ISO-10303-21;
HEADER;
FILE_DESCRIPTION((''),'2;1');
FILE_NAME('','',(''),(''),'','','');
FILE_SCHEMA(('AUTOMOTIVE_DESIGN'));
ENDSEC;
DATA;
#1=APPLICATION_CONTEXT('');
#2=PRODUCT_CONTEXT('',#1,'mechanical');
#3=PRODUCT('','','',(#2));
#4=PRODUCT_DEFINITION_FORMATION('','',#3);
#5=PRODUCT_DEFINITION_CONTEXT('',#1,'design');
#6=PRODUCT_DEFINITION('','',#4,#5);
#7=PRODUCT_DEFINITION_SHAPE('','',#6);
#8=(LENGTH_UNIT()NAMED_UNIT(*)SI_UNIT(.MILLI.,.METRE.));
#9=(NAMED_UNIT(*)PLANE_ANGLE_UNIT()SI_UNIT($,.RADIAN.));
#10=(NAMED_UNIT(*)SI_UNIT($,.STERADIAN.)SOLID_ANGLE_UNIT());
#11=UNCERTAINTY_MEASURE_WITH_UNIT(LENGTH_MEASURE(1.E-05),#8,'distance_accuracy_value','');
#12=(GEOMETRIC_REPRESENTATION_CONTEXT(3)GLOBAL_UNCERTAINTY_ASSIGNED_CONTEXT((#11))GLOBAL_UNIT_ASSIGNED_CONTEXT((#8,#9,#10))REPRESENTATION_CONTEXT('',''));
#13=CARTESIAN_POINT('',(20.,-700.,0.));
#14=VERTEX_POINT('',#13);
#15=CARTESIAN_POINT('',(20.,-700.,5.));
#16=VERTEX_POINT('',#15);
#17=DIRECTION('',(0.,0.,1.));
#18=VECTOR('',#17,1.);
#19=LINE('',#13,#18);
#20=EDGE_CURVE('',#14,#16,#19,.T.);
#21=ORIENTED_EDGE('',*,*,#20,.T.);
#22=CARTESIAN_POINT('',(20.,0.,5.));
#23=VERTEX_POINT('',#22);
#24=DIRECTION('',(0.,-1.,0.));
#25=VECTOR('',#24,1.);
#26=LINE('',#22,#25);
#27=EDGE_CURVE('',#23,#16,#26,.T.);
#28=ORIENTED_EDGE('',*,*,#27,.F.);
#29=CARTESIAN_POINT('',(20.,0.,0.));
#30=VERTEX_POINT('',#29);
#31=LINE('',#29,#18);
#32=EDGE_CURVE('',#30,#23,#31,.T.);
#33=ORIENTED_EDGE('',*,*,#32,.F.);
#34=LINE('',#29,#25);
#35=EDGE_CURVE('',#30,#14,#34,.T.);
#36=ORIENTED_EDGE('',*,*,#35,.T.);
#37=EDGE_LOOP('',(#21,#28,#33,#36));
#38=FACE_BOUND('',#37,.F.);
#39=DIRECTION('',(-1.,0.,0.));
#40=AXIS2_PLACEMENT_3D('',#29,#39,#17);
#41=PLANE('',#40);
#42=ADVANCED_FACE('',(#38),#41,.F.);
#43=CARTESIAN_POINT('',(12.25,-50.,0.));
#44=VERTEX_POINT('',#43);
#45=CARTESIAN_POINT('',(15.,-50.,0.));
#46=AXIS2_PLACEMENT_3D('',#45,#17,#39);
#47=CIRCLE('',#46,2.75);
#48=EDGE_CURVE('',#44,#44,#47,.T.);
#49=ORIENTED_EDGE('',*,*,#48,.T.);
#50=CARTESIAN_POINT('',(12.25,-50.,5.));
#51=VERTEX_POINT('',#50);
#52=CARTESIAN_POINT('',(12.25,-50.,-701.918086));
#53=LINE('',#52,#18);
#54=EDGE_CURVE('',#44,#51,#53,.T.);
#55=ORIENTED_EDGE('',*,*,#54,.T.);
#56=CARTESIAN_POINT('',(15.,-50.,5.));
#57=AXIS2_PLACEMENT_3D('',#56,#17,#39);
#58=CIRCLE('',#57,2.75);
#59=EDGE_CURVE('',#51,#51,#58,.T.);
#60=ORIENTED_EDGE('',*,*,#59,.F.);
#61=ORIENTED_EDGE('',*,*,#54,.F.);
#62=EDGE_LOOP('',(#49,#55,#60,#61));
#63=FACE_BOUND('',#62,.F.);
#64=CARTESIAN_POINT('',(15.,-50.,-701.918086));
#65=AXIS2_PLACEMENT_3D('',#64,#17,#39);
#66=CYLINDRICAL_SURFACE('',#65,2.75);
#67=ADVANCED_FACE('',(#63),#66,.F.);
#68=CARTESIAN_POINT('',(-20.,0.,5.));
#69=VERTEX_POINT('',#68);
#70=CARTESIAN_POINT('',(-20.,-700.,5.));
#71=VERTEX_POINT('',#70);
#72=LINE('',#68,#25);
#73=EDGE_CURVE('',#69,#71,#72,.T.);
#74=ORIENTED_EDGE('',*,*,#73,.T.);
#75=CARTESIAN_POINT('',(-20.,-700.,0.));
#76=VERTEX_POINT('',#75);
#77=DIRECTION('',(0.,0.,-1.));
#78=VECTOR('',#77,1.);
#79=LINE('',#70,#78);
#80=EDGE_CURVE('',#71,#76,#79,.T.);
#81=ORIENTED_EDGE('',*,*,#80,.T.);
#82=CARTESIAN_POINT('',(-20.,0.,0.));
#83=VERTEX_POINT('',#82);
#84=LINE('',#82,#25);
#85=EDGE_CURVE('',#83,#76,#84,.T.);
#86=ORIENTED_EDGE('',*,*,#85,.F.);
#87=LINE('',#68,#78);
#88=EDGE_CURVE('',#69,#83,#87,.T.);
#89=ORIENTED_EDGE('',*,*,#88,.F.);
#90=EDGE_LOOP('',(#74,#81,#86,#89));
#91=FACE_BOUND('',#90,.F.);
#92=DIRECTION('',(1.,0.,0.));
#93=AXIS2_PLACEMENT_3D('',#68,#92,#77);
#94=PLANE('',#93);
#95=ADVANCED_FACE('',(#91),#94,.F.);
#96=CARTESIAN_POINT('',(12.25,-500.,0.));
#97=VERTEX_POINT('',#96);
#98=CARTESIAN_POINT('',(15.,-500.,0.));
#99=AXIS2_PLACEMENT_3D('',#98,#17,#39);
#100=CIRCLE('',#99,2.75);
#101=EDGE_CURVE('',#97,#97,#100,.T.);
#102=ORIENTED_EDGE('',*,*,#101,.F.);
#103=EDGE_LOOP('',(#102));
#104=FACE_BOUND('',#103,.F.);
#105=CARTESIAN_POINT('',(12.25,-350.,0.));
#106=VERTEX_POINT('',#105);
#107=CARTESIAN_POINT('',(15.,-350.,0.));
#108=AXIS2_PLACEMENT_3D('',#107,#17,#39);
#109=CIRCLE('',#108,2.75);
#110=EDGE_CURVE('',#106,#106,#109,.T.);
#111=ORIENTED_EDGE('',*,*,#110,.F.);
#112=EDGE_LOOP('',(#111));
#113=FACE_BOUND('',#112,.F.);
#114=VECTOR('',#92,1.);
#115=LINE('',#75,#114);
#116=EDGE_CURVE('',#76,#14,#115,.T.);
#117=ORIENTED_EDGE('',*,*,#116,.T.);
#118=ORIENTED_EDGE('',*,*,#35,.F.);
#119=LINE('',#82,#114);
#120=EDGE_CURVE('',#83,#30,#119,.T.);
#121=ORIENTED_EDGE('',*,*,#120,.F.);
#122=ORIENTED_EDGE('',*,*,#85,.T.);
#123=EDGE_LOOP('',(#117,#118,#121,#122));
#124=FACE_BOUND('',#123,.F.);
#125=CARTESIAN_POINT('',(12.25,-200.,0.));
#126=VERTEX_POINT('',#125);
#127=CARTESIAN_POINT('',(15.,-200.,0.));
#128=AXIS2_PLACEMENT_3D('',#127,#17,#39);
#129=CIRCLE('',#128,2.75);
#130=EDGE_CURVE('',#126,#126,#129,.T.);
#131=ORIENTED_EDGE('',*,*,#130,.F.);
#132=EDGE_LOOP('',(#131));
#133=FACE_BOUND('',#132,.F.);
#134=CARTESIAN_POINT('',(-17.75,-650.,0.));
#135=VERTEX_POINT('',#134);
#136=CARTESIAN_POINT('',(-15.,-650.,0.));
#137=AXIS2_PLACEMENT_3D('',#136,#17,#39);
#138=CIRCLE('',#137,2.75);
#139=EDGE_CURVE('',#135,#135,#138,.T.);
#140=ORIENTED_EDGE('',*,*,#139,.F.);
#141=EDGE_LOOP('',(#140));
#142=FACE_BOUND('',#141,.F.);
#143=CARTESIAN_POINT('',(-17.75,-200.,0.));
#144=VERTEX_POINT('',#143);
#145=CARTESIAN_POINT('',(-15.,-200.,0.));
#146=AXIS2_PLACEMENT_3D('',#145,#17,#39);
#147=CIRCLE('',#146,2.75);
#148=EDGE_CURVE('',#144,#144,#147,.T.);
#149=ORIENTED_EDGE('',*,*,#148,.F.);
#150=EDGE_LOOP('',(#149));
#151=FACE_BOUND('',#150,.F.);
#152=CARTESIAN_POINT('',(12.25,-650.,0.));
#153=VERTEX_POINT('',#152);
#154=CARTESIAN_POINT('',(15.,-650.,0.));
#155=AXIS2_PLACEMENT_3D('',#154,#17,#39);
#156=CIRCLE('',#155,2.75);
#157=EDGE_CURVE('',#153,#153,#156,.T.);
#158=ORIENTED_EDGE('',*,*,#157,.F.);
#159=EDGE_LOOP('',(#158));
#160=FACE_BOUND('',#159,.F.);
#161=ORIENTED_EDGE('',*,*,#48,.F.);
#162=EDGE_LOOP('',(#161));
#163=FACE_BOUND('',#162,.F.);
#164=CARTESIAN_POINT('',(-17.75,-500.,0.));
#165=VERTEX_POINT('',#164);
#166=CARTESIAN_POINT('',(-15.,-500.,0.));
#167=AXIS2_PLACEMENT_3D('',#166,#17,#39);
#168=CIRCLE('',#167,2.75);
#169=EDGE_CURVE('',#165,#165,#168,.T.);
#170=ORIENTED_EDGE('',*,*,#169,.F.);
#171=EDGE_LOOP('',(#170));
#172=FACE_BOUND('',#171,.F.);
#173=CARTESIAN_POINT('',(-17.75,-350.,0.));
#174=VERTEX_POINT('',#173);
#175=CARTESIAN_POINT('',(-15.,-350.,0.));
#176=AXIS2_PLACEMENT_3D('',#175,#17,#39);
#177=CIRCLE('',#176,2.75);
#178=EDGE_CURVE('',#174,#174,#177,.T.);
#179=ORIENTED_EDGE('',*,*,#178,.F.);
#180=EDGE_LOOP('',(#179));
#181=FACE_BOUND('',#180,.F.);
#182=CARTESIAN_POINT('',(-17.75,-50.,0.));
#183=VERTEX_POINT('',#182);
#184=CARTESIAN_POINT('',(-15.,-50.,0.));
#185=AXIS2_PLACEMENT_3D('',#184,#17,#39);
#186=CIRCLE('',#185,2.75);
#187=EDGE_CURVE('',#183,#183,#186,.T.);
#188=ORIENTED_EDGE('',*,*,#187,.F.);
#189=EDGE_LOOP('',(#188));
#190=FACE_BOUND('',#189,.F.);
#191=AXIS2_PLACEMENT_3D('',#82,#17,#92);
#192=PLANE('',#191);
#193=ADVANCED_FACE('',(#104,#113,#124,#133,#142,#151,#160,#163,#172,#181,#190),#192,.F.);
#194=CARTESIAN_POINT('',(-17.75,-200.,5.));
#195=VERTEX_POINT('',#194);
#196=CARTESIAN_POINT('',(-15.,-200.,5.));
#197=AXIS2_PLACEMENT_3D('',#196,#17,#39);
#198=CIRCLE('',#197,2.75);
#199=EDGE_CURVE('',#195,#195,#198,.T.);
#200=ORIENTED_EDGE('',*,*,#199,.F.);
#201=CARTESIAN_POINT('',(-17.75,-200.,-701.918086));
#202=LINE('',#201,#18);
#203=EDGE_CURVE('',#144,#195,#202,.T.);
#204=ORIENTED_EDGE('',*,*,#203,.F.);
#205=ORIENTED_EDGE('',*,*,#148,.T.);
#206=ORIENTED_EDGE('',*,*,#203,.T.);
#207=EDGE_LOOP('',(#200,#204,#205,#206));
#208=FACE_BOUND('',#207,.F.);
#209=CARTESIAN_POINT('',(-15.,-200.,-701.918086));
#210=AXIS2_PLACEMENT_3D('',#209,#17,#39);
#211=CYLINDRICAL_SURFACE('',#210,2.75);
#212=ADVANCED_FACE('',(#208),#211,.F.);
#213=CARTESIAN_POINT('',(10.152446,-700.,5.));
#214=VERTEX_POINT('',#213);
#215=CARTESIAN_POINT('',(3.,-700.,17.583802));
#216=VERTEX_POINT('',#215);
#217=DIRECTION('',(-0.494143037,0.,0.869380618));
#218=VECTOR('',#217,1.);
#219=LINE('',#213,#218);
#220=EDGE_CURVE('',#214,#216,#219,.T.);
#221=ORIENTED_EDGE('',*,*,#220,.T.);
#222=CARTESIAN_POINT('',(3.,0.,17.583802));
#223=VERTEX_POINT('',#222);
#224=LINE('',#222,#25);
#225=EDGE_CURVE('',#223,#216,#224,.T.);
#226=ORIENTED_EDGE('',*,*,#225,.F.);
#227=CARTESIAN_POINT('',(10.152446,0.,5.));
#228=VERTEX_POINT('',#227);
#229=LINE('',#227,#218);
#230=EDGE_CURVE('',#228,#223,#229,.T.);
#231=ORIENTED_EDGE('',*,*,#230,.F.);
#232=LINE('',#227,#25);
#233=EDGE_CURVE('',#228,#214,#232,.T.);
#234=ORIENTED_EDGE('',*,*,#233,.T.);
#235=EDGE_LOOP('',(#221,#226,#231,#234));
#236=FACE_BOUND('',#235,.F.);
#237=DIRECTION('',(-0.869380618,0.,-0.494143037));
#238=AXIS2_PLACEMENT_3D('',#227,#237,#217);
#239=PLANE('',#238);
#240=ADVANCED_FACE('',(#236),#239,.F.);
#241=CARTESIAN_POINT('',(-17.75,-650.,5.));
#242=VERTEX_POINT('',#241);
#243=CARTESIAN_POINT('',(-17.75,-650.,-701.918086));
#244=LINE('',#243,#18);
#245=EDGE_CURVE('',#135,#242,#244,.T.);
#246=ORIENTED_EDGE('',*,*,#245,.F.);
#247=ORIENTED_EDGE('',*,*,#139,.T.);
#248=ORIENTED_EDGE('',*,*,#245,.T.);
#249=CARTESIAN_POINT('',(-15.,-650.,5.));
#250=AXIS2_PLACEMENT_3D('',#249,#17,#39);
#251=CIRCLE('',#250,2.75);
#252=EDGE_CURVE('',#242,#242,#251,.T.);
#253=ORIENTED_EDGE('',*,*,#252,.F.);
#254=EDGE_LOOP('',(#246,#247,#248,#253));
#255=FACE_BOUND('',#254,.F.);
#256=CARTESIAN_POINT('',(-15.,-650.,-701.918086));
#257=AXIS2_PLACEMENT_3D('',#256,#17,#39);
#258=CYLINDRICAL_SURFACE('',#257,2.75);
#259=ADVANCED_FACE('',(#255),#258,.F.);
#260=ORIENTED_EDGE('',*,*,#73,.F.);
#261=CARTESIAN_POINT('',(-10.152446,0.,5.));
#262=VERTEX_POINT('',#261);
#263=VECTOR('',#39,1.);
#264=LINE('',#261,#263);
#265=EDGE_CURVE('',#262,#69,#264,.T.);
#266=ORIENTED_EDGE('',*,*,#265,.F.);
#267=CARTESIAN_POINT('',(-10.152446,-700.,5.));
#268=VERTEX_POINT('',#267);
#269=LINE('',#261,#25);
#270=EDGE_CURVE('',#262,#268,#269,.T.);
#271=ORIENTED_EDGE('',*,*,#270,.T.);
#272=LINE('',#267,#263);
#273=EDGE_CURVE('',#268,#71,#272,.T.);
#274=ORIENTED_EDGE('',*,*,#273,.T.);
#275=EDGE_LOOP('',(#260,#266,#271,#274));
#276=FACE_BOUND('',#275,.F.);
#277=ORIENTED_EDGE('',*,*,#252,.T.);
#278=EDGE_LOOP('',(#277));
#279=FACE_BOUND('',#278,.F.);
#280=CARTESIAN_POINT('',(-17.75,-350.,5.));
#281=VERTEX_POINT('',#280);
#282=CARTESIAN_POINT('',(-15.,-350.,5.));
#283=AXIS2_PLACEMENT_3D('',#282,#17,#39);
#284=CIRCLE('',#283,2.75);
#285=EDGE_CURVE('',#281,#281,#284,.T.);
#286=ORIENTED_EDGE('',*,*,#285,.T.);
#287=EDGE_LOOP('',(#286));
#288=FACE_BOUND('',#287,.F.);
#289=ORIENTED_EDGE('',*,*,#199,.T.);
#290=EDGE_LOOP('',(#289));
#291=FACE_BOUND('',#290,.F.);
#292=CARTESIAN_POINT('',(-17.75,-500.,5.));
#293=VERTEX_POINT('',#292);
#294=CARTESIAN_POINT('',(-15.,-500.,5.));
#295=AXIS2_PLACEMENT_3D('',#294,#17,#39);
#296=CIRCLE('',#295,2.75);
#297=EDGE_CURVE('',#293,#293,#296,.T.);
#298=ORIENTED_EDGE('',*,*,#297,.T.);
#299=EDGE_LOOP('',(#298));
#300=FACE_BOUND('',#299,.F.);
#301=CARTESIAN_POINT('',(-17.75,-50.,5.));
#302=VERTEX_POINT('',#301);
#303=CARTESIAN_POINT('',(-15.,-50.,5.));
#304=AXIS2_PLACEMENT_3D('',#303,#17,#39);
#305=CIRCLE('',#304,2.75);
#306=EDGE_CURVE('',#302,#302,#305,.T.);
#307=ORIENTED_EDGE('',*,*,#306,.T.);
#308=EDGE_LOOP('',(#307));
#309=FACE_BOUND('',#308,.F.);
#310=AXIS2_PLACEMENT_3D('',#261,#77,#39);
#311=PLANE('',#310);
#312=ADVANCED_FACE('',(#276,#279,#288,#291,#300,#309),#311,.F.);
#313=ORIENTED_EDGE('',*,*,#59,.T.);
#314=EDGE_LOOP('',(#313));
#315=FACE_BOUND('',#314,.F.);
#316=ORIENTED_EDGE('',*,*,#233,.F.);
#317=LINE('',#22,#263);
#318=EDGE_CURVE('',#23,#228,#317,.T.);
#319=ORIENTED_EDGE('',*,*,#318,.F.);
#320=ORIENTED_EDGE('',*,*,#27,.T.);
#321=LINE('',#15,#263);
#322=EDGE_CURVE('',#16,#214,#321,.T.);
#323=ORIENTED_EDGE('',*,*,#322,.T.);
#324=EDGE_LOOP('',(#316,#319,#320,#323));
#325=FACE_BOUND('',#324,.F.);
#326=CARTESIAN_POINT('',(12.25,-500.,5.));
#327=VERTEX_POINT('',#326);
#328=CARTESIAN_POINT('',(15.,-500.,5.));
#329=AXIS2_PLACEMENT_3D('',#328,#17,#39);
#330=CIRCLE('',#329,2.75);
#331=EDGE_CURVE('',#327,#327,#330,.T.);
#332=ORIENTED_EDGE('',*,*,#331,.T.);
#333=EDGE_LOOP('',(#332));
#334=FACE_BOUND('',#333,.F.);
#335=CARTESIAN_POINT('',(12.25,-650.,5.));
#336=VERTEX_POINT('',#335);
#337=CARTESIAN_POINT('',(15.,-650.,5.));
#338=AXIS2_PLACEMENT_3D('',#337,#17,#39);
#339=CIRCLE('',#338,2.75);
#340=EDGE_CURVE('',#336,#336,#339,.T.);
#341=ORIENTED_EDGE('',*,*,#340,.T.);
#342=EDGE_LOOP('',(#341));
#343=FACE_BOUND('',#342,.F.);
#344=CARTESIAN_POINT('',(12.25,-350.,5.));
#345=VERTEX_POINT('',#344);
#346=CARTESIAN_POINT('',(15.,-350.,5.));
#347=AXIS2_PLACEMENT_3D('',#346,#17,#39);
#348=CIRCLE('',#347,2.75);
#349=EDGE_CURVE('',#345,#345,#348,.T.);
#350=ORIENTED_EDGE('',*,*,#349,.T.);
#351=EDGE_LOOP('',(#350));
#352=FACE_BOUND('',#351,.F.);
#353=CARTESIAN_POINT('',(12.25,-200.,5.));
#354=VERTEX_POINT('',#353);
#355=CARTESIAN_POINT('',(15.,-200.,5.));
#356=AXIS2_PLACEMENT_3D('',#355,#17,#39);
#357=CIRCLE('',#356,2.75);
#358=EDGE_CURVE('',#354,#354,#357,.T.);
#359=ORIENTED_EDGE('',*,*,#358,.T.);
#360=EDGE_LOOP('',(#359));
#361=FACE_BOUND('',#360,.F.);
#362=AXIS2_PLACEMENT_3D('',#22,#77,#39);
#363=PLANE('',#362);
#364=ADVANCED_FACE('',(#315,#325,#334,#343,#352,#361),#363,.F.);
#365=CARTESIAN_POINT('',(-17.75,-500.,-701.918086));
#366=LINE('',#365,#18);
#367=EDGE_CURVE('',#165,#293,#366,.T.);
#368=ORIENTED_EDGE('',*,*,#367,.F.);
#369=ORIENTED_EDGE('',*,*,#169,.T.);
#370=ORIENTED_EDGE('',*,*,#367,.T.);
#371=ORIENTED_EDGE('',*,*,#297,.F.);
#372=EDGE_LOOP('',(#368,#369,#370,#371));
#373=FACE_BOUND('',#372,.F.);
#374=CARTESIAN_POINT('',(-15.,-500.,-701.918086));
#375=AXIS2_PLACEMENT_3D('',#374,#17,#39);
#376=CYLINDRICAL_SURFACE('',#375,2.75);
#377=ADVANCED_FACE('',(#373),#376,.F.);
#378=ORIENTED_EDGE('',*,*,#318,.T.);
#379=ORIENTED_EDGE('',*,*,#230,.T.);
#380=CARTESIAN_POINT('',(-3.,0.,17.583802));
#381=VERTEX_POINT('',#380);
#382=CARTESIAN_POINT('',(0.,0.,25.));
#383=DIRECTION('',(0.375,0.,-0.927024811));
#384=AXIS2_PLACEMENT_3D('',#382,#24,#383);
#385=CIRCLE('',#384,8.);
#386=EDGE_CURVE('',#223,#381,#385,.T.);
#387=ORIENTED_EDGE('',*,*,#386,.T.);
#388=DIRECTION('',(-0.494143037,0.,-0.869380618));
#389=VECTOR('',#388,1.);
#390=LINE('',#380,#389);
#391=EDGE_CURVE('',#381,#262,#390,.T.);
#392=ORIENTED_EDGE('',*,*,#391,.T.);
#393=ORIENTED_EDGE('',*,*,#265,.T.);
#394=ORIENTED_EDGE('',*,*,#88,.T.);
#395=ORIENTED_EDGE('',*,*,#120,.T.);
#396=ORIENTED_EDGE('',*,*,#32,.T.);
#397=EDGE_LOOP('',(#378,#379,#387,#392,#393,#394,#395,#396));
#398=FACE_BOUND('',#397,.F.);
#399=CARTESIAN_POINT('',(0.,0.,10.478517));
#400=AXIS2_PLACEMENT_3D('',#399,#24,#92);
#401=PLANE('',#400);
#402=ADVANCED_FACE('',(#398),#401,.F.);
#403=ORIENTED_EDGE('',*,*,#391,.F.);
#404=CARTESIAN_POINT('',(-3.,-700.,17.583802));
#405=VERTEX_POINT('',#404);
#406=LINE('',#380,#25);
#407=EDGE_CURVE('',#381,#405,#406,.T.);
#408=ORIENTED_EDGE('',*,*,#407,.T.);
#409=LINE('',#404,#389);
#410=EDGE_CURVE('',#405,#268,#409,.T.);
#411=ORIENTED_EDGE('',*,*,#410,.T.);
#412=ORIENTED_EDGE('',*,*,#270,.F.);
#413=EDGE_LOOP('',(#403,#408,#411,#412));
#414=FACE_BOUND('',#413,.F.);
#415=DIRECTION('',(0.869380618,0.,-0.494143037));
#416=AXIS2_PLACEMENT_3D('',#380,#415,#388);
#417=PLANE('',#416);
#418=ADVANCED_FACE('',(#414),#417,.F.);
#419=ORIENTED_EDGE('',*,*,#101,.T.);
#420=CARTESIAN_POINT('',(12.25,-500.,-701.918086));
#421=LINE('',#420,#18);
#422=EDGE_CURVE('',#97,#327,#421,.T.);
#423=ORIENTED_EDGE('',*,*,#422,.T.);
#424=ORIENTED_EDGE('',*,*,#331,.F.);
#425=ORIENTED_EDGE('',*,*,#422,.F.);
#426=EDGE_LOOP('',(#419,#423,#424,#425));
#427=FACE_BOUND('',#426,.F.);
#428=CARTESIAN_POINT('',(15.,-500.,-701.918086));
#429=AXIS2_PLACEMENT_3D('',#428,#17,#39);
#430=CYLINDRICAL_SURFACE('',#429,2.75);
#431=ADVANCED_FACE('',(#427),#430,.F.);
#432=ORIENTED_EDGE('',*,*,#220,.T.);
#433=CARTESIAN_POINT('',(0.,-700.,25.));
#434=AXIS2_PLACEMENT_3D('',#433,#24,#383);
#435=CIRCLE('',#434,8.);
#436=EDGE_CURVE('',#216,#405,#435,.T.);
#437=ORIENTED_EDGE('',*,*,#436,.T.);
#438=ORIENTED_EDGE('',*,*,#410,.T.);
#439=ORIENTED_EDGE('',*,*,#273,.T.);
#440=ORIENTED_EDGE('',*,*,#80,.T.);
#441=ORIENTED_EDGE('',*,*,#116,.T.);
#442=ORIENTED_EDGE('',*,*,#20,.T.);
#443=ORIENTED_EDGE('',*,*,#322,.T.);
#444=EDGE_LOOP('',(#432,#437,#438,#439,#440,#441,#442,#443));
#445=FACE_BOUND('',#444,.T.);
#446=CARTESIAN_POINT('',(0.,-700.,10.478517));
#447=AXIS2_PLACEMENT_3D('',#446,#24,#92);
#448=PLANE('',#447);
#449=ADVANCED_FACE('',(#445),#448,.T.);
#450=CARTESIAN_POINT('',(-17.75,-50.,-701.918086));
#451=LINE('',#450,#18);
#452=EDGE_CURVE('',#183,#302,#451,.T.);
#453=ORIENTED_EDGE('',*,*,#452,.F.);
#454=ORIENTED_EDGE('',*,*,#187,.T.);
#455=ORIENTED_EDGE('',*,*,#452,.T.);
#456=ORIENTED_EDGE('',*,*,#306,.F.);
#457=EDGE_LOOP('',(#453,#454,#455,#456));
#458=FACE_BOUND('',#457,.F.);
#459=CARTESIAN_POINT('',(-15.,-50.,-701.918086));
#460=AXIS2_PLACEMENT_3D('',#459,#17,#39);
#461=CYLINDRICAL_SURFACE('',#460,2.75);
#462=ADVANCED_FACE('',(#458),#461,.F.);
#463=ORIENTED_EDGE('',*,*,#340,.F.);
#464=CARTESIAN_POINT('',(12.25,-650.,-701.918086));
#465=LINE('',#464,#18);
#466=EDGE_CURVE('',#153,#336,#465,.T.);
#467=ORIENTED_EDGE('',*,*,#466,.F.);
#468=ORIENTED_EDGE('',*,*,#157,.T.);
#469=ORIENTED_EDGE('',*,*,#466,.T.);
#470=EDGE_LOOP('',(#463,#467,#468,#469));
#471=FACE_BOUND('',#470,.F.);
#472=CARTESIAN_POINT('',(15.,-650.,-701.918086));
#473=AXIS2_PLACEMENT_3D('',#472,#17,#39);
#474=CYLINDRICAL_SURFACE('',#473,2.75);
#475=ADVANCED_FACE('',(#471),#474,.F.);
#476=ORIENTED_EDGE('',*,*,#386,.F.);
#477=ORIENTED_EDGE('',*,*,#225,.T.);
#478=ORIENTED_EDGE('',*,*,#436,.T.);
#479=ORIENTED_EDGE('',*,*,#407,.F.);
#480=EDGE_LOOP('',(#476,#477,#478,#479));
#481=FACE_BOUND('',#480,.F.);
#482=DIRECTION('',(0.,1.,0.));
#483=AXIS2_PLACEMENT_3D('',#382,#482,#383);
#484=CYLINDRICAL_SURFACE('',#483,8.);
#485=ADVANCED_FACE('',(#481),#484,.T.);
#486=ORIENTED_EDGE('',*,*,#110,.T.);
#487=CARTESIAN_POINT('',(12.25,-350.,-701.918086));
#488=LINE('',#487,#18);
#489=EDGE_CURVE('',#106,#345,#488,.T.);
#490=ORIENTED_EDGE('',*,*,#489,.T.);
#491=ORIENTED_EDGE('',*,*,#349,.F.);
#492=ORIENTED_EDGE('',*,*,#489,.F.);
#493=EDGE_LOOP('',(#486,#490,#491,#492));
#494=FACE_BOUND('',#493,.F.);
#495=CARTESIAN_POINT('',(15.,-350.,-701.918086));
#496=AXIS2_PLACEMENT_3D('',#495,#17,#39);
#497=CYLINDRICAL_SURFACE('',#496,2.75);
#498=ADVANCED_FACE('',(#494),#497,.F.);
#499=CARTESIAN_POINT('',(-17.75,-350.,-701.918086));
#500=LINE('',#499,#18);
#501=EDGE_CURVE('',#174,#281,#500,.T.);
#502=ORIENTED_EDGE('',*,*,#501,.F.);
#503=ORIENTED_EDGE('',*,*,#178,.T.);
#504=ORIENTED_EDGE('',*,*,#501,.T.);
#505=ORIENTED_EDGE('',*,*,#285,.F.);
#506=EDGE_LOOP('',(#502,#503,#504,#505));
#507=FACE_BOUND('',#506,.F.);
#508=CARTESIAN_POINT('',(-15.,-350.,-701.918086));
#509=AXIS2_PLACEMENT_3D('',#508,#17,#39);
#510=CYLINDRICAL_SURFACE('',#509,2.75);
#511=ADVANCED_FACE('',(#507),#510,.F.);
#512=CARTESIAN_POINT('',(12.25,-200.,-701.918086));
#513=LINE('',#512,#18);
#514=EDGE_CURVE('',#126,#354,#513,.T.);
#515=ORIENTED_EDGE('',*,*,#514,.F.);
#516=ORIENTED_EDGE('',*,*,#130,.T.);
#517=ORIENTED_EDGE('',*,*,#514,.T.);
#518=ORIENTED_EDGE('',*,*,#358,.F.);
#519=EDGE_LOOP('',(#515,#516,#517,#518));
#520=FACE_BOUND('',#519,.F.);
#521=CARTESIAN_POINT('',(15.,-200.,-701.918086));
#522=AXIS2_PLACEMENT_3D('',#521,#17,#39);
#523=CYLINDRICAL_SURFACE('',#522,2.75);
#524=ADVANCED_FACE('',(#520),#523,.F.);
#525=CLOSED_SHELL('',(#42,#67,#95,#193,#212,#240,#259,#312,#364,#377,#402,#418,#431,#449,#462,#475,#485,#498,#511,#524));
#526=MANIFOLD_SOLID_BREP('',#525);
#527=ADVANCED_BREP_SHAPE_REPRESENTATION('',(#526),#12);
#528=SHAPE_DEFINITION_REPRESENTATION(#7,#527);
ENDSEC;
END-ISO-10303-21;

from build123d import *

# Parameters (mm, degrees)
F1_DEPTH = 700
F3_D     = 5.5


with BuildPart() as f1:
    # F0 (on Front) → F1 (new body)
    with BuildSketch(Plane.XZ):
        with BuildLine():
            Line((-20, 0), (0, 0))
            Line((0, 0), (20, 0))
            Line((20, 0), (20, 5))
            Line((20, 5), (10.1524459668, 5))
            Line((10.1524459668, 5), (3, 17.5838015129))
            ThreePointArc((3, 17.5838015129), (0, 33), (-3, 17.5838015129))
            Line((-3, 17.5838015129), (-10.1524459668, 5))
            Line((-10.1524459668, 5), (-20, 5))
            Line((-20, 5), (-20, 0))
        make_face()
    extrude(amount=F1_DEPTH)

    # F3 (through all)
    with Locations(Plane(origin=(0, 0, 0), x_dir=(1, 0, 0), z_dir=(0, 0, -1))):
        with Locations((-15, 50), (15, 50), (-15, 200), (15, 200), (-15, 350), (15, 350), (-15, 500), (15, 500), (-15, 650), (15, 650)):
            Hole(F3_D / 2)


solid = f1.part
